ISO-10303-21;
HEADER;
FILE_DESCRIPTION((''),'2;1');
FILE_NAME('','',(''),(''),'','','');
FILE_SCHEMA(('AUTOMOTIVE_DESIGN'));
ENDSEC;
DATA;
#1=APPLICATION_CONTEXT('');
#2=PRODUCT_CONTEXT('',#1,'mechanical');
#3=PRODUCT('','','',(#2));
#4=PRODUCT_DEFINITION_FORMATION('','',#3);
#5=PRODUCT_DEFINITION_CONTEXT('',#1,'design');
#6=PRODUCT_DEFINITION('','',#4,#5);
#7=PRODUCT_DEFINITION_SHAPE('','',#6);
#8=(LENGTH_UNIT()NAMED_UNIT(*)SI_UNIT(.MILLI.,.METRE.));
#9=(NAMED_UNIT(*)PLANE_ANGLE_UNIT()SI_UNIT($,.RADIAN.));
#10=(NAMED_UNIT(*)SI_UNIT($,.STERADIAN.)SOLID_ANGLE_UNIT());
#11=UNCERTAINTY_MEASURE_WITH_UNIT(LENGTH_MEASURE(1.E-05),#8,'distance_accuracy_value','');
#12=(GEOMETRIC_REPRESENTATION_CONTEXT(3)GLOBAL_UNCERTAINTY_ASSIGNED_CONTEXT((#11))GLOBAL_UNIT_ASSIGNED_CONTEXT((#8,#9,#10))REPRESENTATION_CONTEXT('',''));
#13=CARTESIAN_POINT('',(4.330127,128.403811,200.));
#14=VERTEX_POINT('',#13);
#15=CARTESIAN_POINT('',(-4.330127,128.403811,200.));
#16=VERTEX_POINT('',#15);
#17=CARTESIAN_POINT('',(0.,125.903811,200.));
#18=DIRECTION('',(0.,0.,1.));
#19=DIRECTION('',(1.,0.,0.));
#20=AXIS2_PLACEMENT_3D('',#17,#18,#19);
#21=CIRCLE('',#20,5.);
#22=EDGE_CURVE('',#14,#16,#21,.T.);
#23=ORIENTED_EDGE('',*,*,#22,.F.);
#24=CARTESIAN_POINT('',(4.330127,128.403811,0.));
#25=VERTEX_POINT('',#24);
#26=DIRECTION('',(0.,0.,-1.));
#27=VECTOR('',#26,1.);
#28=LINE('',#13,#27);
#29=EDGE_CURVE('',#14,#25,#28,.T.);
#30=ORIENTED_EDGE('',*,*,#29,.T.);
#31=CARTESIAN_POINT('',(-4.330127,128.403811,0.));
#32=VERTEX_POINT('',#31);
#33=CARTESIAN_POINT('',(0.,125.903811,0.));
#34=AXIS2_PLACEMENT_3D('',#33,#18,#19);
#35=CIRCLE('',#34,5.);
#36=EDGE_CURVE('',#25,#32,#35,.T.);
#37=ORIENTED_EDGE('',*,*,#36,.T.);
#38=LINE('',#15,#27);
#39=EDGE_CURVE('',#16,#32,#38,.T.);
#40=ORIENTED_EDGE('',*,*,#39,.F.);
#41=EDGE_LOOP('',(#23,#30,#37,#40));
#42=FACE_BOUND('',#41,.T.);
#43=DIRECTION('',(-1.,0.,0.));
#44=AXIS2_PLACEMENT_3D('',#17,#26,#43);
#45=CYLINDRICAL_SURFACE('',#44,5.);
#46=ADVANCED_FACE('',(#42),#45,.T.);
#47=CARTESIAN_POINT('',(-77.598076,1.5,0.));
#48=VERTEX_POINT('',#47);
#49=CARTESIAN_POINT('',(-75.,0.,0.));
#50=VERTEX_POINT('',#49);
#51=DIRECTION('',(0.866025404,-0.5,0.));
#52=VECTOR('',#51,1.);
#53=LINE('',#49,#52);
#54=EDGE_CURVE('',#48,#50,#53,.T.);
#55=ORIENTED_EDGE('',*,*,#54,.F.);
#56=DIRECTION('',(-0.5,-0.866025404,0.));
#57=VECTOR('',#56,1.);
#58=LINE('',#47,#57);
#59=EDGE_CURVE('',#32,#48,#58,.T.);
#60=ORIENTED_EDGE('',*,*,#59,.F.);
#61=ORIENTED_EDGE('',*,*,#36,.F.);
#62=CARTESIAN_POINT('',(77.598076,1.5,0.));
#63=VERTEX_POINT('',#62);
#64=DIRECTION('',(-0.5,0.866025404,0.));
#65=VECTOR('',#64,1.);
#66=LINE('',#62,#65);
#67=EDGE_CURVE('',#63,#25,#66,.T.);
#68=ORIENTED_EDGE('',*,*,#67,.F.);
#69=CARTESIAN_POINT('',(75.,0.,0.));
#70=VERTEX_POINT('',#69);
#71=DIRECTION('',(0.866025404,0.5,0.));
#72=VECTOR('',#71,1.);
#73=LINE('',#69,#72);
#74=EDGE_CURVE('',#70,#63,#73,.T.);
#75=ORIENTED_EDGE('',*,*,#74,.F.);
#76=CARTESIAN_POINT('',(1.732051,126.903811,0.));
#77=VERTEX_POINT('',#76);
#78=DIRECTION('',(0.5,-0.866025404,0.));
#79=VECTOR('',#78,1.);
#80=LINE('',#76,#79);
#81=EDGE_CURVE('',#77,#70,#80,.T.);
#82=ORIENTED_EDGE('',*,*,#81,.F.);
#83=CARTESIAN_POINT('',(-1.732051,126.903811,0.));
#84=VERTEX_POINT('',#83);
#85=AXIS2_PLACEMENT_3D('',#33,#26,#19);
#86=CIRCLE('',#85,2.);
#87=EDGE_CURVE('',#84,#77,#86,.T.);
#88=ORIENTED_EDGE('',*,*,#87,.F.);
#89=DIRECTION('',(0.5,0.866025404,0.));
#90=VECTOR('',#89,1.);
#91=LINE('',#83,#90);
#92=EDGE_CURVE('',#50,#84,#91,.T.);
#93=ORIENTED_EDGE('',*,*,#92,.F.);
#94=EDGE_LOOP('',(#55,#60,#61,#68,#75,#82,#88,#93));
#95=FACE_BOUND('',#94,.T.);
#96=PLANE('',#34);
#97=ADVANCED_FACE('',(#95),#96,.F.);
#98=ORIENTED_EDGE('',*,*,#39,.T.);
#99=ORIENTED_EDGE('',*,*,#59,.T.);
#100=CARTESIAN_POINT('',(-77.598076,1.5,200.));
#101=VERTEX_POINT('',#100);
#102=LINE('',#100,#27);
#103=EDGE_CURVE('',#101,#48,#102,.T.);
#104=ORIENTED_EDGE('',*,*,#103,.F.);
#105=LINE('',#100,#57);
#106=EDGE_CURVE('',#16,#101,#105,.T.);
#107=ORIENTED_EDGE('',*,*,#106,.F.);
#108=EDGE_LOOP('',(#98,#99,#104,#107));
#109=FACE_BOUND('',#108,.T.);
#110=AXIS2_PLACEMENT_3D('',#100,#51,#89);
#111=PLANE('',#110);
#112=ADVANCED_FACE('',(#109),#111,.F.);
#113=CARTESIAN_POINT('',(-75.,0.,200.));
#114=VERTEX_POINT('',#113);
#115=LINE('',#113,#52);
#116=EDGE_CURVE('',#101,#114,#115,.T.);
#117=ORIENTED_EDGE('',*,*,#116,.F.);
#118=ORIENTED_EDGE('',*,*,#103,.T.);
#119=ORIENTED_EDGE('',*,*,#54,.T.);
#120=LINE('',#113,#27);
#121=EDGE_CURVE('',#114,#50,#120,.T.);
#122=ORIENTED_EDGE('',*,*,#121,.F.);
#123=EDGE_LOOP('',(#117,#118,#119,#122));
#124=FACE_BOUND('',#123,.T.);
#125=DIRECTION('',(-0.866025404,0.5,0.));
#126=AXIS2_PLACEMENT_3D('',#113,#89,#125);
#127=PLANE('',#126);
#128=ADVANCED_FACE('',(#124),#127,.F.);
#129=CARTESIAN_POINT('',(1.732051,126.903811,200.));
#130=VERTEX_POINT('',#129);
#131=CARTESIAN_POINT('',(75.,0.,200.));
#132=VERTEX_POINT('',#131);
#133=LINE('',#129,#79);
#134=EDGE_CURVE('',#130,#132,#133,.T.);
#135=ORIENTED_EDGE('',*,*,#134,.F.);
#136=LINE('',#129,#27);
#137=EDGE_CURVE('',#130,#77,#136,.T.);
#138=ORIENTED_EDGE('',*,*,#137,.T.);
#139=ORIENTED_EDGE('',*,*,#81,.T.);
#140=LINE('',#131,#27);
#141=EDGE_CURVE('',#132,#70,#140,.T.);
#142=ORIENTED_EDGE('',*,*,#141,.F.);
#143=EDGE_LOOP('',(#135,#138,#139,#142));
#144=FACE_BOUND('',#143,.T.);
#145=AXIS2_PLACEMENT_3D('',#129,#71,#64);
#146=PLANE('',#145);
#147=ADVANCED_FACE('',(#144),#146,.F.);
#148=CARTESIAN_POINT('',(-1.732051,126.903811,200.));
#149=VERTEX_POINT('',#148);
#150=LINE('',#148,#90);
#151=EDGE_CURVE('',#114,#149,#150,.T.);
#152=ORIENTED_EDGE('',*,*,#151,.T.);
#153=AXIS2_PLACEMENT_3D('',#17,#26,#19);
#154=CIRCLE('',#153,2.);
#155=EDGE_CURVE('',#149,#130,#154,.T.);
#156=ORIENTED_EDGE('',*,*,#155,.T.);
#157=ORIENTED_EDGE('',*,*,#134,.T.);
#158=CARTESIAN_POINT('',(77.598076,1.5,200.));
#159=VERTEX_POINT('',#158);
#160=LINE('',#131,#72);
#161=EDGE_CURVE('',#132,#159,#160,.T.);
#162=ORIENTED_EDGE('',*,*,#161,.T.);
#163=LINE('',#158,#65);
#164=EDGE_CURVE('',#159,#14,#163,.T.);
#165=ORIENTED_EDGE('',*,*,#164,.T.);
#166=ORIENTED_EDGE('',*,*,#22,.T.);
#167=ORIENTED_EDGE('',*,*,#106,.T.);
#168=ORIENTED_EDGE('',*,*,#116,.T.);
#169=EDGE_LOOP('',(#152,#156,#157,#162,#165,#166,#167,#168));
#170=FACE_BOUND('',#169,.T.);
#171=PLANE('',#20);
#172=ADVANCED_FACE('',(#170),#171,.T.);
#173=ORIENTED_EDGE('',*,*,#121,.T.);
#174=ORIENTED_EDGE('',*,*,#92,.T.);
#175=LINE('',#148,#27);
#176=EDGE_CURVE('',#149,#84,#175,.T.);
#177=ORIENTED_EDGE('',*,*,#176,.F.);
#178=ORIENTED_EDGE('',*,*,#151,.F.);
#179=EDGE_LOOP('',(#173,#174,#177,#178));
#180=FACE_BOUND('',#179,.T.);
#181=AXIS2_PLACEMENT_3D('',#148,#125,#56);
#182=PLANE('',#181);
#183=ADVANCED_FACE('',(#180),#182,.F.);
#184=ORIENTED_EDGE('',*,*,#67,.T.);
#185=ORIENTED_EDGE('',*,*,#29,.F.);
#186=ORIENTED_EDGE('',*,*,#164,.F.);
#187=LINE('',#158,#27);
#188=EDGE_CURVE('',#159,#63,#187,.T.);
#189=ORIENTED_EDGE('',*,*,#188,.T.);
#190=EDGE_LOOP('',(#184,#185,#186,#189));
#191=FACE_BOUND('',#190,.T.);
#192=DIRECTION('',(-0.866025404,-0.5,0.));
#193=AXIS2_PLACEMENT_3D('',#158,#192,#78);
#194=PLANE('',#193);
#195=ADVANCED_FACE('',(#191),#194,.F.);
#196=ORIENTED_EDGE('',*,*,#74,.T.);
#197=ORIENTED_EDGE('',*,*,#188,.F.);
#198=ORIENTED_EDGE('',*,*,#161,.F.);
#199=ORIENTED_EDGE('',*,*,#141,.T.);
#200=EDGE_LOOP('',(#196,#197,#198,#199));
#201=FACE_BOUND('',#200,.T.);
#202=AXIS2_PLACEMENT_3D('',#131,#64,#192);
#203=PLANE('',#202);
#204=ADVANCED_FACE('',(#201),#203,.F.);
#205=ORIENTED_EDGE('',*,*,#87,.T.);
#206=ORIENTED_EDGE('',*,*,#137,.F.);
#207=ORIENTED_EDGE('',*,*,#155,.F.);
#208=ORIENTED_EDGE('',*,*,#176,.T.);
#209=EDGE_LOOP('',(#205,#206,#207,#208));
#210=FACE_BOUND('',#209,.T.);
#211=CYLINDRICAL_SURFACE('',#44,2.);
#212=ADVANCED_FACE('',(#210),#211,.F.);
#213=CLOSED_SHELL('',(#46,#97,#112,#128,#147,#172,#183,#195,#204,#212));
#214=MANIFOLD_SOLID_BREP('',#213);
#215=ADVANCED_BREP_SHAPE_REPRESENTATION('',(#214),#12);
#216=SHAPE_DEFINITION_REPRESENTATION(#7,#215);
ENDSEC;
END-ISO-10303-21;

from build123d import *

# Parameters (mm, degrees)
BOSS_EXTRUDE1_DEPTH = 200


with BuildPart() as part:
    # Sketch1 → Boss-Extrude1 (new body)
    with BuildSketch(Plane.XY):
        with BuildLine():
            Line((-1.732050808, 126.903810568), (-75, 0))
            Line((-75, 0), (-77.598076211, 1.5))
            Line((-77.598076211, 1.5), (-4.330127019, 128.403810568))
            ThreePointArc((-4.330127019, 128.403810568), (0, 130.903810568), (4.330127019, 128.403810568))
            Line((4.330127019, 128.403810568), (77.598076211, 1.5))
            Line((77.598076211, 1.5), (75, 0))
            Line((75, 0), (1.732050808, 126.903810568))
            ThreePointArc((1.732050808, 126.903810568), (0, 127.903810568), (-1.732050808, 126.903810568))
        make_face()
    extrude(amount=BOSS_EXTRUDE1_DEPTH)


solid = part.part
